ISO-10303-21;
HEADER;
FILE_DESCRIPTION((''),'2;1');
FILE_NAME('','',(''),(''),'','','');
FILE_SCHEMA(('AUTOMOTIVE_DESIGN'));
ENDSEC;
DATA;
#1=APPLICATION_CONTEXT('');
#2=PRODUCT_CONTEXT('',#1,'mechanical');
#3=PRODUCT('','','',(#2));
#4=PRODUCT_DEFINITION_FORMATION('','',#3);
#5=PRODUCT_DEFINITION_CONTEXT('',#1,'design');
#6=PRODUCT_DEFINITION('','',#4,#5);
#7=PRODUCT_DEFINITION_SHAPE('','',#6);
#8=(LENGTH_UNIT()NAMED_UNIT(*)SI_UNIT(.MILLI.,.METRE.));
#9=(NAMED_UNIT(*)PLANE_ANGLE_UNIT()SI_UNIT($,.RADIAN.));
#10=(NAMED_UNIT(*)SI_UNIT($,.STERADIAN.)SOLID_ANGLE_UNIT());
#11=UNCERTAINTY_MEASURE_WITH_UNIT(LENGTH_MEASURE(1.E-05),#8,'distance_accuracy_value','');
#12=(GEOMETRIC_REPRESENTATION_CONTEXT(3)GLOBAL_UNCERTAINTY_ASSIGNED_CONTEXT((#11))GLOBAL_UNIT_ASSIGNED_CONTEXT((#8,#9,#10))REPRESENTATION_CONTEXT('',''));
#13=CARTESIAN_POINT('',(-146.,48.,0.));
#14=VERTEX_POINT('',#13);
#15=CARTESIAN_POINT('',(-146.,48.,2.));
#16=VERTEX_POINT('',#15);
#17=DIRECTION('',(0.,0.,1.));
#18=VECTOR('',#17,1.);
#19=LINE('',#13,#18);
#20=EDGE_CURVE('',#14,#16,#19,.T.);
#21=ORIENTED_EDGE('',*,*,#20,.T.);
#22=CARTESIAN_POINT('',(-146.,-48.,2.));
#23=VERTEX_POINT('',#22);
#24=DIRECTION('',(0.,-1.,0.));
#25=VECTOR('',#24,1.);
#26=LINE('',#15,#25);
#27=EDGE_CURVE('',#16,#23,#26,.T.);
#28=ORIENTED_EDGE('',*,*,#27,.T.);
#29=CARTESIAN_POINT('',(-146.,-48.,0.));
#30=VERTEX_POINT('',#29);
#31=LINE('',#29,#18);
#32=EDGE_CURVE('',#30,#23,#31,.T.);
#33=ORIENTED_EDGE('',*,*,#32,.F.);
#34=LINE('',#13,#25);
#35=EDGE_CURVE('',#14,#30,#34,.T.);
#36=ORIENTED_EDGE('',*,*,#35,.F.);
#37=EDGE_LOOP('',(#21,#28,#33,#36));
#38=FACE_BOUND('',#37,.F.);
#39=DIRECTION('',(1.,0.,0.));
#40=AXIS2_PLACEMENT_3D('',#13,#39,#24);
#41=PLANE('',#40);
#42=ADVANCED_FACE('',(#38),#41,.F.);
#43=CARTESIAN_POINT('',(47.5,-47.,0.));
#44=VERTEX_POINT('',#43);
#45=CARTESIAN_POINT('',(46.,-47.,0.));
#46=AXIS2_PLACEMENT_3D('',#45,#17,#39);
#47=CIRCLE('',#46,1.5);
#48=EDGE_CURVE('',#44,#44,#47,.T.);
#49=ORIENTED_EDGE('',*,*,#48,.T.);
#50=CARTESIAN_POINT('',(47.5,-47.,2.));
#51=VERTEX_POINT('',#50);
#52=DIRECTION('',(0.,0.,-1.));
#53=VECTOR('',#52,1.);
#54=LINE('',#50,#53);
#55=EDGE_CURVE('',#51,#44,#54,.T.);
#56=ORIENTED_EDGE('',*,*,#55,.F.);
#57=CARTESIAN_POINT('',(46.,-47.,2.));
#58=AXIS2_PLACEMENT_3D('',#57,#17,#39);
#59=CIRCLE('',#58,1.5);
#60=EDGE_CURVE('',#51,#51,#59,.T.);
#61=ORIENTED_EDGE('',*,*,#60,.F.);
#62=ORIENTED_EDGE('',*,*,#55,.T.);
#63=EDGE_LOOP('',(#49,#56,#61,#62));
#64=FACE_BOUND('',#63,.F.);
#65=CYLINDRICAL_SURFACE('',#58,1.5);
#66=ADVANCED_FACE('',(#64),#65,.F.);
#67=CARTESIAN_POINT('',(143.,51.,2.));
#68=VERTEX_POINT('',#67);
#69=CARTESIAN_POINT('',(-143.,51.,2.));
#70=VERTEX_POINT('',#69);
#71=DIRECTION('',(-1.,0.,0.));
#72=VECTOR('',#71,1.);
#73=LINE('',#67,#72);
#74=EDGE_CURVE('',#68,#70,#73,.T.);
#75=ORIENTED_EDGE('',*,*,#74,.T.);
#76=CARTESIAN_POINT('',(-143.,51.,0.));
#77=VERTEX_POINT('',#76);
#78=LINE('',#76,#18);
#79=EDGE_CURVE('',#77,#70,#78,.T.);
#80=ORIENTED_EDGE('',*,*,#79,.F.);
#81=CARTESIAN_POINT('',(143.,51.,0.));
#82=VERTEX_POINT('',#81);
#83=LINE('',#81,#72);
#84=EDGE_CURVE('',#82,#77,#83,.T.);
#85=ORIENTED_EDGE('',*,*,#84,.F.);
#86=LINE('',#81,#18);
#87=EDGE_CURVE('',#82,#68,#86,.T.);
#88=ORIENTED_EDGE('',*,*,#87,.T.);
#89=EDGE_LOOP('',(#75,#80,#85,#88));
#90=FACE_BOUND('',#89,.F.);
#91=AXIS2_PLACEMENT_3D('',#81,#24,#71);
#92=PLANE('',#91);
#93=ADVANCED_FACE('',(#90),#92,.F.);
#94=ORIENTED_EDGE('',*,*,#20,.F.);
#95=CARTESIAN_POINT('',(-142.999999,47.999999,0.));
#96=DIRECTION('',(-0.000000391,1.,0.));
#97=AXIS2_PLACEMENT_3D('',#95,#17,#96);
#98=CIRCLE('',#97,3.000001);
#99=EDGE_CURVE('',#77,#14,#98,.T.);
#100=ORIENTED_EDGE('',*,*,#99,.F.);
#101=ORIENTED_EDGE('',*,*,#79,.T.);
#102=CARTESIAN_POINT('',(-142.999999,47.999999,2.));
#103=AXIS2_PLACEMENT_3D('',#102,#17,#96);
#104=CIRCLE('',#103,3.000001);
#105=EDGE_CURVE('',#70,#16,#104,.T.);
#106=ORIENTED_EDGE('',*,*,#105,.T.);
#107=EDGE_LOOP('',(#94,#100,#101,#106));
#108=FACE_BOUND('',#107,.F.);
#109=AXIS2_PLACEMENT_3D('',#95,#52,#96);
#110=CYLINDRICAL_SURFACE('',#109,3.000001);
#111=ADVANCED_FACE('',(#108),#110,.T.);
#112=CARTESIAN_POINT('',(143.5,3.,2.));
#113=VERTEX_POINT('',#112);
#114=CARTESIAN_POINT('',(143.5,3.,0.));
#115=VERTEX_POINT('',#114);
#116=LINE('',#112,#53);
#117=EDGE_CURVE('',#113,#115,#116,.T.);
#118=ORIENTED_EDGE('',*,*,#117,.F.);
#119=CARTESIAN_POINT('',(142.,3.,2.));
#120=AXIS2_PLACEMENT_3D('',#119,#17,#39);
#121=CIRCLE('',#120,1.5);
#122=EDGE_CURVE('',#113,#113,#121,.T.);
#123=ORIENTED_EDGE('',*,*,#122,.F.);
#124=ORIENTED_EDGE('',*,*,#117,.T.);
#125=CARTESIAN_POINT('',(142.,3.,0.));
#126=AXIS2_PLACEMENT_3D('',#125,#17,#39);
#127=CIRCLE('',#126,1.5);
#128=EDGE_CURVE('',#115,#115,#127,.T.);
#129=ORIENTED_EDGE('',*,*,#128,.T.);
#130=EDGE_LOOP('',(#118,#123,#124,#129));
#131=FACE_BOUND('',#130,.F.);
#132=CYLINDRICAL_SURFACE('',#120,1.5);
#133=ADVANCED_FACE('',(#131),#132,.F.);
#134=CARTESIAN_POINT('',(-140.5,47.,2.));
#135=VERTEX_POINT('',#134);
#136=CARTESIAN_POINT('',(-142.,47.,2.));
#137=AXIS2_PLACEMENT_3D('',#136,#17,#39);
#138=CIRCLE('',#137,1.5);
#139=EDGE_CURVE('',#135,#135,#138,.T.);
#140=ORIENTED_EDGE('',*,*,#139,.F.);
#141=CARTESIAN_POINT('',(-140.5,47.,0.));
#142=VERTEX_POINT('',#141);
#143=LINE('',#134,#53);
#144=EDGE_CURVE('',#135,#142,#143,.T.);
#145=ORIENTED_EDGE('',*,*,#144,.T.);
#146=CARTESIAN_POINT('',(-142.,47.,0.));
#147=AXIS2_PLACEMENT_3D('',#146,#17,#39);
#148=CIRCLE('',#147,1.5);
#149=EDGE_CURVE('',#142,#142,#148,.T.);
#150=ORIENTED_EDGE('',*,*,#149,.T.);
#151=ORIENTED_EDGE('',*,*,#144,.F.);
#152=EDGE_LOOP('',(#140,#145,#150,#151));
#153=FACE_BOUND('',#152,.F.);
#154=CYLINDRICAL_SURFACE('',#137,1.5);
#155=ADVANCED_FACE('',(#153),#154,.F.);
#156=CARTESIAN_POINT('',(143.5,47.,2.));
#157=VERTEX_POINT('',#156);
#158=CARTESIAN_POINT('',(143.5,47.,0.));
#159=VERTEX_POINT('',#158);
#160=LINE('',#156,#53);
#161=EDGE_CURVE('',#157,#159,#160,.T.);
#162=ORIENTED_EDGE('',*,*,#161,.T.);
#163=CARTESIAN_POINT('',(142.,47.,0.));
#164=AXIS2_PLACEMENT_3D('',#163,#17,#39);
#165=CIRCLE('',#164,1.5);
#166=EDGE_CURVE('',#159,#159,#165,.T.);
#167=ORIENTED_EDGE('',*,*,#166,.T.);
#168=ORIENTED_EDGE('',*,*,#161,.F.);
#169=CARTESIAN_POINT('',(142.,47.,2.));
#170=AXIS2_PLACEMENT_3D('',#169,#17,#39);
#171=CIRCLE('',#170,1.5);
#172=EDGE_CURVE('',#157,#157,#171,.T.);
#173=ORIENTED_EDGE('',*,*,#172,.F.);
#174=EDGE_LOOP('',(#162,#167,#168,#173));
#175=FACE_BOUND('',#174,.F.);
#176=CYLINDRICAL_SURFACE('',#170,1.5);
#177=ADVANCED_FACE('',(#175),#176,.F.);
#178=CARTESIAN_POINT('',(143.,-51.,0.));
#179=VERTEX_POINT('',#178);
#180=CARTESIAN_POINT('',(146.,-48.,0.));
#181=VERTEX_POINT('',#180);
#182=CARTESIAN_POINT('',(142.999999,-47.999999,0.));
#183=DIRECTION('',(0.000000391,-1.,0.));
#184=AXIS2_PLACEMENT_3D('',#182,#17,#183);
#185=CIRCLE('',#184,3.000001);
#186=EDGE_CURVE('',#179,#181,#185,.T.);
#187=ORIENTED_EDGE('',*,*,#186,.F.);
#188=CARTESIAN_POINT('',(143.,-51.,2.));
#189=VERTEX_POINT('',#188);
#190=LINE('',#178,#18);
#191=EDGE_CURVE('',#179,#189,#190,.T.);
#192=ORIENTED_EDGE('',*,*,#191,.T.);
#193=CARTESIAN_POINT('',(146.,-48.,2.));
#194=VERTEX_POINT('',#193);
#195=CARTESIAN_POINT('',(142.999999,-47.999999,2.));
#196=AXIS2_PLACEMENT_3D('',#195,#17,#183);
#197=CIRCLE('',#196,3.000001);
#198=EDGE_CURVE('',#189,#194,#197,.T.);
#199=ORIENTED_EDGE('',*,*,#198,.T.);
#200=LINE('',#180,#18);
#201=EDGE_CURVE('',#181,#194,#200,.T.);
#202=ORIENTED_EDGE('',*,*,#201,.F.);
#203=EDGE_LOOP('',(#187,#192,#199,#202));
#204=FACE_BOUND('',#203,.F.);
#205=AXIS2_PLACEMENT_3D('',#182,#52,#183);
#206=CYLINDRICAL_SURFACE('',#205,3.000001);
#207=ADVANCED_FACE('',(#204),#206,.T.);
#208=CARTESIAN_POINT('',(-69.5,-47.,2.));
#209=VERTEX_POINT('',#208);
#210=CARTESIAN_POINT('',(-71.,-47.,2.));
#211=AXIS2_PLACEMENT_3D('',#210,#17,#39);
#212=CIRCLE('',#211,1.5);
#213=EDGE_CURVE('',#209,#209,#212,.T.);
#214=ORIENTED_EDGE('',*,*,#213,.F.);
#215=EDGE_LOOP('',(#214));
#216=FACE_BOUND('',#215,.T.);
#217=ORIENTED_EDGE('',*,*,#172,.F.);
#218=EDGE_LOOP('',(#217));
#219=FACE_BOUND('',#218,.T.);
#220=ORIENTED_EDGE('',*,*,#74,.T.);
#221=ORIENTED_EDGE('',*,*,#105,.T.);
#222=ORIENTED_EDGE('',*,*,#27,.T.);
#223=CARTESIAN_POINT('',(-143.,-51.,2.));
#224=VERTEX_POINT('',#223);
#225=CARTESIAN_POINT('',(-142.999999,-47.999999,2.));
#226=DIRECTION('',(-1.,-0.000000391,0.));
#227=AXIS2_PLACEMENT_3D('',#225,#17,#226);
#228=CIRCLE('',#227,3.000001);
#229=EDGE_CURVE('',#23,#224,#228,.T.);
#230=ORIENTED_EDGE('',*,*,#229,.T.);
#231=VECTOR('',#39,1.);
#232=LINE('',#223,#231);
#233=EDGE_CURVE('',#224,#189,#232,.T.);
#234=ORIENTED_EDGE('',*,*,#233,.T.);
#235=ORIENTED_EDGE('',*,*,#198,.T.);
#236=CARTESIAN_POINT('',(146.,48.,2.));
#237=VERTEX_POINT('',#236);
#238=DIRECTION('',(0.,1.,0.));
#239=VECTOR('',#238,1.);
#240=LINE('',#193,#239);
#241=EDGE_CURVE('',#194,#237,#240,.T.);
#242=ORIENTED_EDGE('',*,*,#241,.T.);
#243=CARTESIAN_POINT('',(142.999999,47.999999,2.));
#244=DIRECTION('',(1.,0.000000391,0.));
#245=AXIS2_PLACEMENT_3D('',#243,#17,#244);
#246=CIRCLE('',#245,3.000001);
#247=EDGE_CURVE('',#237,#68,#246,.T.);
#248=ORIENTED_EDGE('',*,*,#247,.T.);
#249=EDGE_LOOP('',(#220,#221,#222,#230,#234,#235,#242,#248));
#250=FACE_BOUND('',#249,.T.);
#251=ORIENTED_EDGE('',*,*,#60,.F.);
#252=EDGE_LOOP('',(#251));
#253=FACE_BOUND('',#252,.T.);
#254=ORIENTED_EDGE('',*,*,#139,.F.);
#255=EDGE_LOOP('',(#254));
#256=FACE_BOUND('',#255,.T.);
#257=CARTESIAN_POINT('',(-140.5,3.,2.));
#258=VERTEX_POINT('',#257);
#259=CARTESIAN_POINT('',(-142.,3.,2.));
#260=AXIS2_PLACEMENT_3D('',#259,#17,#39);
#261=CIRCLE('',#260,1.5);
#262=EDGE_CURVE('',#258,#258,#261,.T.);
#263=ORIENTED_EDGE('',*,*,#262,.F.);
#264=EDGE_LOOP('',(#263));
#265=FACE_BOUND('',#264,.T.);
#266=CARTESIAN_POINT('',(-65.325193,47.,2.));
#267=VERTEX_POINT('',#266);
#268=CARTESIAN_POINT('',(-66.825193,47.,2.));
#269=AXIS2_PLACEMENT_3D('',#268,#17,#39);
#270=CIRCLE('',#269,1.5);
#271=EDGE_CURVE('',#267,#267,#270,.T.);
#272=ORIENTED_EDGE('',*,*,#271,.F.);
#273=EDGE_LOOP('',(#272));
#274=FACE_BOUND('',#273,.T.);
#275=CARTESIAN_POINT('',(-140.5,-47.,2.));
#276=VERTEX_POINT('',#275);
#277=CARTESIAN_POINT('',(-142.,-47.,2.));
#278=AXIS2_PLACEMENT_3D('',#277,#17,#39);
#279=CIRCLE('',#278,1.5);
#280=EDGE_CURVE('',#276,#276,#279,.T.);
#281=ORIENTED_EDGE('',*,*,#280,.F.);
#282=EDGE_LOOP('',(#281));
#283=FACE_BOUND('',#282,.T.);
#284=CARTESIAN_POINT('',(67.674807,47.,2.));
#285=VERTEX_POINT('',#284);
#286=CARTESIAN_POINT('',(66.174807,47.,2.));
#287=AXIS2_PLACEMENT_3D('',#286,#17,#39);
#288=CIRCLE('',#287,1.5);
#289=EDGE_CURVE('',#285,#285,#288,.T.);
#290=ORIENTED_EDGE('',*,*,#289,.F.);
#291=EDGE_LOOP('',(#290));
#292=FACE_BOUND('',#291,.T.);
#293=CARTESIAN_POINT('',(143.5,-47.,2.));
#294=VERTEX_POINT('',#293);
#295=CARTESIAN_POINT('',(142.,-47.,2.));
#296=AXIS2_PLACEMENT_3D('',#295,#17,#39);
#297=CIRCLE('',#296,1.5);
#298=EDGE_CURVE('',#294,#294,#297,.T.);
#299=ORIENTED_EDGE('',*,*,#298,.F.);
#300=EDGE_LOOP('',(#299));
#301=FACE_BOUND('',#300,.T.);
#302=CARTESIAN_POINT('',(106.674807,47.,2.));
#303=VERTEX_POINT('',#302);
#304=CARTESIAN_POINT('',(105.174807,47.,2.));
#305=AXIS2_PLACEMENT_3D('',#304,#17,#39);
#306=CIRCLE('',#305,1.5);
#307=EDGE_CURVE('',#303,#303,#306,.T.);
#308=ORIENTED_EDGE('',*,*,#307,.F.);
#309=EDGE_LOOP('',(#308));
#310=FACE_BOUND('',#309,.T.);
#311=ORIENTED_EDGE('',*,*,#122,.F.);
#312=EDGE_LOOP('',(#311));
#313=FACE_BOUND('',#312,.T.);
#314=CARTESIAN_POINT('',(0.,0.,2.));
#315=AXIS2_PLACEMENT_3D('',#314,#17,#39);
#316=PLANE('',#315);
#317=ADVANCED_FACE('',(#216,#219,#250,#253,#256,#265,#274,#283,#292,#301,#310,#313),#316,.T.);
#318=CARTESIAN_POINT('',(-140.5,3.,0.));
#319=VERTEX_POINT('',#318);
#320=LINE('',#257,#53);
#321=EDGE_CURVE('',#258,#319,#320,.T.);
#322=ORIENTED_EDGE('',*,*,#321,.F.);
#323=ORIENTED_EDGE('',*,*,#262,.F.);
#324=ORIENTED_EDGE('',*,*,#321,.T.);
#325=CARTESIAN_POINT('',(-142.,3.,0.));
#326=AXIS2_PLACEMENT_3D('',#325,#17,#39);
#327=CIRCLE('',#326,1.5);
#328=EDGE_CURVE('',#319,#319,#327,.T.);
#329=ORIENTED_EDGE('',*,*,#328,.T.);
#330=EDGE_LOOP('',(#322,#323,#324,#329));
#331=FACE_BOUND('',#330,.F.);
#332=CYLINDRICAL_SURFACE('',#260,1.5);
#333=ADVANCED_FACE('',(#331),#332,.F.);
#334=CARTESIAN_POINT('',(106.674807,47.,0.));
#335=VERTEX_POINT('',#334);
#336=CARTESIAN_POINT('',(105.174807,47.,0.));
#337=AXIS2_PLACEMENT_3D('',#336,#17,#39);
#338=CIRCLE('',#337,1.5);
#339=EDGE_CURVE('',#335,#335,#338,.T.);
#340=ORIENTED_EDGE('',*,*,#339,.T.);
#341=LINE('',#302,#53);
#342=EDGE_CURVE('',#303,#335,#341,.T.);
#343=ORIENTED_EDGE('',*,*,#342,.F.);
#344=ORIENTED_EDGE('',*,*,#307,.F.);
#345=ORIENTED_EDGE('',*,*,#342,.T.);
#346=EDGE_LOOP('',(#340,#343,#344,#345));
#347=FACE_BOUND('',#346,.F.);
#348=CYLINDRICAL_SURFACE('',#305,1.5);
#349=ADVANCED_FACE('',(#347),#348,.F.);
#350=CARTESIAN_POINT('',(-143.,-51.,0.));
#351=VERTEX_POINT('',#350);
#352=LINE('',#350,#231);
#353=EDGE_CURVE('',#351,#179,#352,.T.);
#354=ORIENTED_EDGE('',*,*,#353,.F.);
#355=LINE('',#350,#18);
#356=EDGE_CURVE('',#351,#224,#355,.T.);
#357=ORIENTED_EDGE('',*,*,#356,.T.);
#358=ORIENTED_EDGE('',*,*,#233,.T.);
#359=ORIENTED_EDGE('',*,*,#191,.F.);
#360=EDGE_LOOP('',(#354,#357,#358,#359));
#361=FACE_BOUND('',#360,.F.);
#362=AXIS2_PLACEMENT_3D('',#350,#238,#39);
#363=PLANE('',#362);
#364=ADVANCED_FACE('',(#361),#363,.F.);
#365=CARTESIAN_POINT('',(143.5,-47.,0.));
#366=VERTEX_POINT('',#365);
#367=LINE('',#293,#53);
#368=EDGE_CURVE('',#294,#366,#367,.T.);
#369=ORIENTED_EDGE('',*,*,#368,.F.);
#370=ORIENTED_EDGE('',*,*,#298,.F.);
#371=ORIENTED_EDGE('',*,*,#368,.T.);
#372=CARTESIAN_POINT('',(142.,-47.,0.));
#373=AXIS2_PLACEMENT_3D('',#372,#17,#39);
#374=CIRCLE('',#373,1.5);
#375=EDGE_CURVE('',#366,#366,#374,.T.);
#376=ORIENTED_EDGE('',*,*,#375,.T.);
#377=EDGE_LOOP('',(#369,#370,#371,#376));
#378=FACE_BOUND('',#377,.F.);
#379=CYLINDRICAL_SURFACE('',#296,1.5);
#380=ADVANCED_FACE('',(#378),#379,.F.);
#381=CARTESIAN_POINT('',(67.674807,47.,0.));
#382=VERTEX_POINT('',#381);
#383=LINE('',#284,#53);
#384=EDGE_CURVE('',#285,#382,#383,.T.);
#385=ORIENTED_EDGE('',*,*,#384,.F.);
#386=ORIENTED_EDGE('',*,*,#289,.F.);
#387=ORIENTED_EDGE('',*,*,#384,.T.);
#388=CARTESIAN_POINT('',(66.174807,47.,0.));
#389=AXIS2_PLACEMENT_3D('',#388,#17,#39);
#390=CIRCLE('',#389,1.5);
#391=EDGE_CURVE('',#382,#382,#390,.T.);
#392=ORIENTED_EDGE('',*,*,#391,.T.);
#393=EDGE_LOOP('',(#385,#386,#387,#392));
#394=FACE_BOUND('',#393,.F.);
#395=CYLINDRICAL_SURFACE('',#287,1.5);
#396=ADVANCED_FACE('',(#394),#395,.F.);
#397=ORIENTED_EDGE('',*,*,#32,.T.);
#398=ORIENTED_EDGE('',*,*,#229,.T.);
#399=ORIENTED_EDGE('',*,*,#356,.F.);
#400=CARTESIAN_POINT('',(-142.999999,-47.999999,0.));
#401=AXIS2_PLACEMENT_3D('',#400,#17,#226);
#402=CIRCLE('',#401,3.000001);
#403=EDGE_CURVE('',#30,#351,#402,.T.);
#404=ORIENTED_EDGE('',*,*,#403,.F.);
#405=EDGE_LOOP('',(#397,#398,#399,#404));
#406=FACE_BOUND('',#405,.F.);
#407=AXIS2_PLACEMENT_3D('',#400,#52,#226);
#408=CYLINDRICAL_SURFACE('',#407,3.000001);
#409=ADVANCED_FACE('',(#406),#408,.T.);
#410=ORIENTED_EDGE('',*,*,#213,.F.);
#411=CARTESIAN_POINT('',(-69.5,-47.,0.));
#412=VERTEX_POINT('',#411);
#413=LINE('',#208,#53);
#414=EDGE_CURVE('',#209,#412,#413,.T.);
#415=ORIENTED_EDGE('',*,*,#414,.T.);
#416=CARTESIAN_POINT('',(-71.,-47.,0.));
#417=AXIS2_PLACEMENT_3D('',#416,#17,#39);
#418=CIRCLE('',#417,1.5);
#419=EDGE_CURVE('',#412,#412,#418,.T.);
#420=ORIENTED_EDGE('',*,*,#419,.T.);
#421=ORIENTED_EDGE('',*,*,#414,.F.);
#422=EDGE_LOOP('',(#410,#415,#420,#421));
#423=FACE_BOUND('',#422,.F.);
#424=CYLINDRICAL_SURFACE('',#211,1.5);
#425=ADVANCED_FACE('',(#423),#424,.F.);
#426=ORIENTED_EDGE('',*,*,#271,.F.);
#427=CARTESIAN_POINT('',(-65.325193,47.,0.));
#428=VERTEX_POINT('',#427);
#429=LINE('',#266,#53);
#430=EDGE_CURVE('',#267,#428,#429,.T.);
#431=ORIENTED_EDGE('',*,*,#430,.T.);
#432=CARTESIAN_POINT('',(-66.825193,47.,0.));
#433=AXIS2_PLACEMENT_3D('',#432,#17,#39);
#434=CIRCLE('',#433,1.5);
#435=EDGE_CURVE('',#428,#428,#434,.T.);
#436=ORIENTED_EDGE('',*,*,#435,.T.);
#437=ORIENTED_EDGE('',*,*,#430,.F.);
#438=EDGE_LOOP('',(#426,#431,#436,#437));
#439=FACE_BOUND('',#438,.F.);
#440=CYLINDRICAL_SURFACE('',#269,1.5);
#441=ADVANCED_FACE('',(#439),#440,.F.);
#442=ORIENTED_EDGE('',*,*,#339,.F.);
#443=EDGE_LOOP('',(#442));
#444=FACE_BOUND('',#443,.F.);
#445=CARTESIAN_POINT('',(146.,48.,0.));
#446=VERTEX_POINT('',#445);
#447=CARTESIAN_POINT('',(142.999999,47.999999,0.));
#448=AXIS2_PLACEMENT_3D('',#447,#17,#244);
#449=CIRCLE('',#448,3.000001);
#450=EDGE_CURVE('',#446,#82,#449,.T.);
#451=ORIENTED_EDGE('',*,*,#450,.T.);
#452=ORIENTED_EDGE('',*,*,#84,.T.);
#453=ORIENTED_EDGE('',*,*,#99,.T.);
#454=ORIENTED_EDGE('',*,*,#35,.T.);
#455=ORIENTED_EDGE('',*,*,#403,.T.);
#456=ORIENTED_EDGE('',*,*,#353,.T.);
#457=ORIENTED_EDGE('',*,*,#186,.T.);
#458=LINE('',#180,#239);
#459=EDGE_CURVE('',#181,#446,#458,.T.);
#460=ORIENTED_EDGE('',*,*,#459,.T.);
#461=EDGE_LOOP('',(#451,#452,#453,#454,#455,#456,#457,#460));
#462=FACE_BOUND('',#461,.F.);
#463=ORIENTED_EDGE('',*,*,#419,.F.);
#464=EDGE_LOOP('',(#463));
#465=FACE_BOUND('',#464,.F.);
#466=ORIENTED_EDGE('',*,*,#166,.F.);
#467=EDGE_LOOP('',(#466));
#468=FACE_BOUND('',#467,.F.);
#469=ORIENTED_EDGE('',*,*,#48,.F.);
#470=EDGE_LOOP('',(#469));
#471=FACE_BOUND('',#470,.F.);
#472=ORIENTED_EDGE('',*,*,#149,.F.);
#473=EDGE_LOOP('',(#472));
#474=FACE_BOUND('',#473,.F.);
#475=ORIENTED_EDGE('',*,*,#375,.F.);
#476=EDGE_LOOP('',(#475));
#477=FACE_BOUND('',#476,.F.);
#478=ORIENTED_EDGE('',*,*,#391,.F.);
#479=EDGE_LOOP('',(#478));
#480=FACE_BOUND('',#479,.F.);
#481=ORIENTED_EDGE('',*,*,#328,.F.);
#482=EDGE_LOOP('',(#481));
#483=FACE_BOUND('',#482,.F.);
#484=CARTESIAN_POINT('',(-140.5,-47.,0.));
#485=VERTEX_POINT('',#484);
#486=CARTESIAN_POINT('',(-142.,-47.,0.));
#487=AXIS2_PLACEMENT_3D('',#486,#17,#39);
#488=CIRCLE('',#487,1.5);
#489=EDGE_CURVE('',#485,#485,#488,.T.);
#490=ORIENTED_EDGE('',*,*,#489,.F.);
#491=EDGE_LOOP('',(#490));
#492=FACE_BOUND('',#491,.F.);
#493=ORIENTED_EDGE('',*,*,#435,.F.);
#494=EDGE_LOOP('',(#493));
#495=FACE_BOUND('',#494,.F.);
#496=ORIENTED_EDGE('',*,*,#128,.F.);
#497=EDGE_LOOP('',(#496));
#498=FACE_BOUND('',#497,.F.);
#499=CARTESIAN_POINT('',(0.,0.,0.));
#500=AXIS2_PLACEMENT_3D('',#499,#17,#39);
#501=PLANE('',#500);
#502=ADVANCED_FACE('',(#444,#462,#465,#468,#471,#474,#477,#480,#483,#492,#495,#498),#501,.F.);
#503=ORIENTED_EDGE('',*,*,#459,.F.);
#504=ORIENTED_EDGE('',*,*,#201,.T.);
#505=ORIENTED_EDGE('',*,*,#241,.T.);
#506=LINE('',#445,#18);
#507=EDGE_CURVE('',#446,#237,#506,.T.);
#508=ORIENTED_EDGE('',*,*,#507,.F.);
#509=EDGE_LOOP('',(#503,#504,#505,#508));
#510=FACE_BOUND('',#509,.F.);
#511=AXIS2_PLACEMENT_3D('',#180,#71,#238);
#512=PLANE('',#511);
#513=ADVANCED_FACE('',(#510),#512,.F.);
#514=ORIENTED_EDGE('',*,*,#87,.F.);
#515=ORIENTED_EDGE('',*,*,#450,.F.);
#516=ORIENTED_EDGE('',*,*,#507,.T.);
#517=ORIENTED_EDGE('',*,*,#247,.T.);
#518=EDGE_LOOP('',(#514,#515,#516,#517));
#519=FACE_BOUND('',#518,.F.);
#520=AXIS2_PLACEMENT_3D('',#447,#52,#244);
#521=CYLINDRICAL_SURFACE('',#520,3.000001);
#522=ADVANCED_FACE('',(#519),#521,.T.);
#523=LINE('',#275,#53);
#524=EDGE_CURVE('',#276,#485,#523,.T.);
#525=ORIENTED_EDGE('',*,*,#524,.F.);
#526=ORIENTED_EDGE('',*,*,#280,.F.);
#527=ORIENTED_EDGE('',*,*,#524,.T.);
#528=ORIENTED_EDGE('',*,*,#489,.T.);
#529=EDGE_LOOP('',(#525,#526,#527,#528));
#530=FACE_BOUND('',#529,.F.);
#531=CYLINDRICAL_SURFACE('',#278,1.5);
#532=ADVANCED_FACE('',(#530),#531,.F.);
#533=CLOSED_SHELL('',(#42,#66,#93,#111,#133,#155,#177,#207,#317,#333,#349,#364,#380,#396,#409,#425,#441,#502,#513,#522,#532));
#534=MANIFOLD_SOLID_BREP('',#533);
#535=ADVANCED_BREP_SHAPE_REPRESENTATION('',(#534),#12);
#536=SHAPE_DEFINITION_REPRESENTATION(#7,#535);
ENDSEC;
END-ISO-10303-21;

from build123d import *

# Parameters (mm, degrees)
F1_DEPTH = 2
F2_R     = 1.5
F3_DEPTH = 2.001


with BuildPart() as f1:
    # F0 (on Top) → F1 (new body)
    with BuildSketch(Plane.XY):
        with BuildLine():
            ThreePointArc((146, 48), (145.12132, 50.12132), (143, 51))
            Line((143, 51), (-143, 51))
            ThreePointArc((-143, 51), (-145.12132, 50.12132), (-146, 48))
            Line((-146, 48), (-146, -48))
            ThreePointArc((-146, -48), (-145.12132, -50.12132), (-143, -51))
            Line((-143, -51), (143, -51))
            ThreePointArc((143, -51), (145.12132, -50.12132), (146, -48))
            Line((146, -48), (146, 48))
        make_face()
    extrude(amount=F1_DEPTH)

    # F2 (on face) → F3 (cut, through all)
    with BuildSketch(Plane.XY.offset(2)):
        with Locations((-142, 47)):
            Circle(F2_R)
        with Locations((142, 47)):
            Circle(F2_R)
        with Locations((-66.825193, 47)):
            Circle(F2_R)
        with Locations((66.174807, 47)):
            Circle(F2_R)
        with Locations((-142, -47)):
            Circle(F2_R)
        with Locations((142, -47)):
            Circle(F2_R)
        with Locations((-71, -47)):
            Circle(F2_R)
        with Locations((46, -47)):
            Circle(F2_R)
        with Locations((142, 3)):
            Circle(F2_R)
        with Locations((-142, 3)):
            Circle(F2_R)
        with Locations((105.174807, 47)):
            Circle(F2_R)
    extrude(amount=-F3_DEPTH, mode=Mode.SUBTRACT)


solid = f1.part
